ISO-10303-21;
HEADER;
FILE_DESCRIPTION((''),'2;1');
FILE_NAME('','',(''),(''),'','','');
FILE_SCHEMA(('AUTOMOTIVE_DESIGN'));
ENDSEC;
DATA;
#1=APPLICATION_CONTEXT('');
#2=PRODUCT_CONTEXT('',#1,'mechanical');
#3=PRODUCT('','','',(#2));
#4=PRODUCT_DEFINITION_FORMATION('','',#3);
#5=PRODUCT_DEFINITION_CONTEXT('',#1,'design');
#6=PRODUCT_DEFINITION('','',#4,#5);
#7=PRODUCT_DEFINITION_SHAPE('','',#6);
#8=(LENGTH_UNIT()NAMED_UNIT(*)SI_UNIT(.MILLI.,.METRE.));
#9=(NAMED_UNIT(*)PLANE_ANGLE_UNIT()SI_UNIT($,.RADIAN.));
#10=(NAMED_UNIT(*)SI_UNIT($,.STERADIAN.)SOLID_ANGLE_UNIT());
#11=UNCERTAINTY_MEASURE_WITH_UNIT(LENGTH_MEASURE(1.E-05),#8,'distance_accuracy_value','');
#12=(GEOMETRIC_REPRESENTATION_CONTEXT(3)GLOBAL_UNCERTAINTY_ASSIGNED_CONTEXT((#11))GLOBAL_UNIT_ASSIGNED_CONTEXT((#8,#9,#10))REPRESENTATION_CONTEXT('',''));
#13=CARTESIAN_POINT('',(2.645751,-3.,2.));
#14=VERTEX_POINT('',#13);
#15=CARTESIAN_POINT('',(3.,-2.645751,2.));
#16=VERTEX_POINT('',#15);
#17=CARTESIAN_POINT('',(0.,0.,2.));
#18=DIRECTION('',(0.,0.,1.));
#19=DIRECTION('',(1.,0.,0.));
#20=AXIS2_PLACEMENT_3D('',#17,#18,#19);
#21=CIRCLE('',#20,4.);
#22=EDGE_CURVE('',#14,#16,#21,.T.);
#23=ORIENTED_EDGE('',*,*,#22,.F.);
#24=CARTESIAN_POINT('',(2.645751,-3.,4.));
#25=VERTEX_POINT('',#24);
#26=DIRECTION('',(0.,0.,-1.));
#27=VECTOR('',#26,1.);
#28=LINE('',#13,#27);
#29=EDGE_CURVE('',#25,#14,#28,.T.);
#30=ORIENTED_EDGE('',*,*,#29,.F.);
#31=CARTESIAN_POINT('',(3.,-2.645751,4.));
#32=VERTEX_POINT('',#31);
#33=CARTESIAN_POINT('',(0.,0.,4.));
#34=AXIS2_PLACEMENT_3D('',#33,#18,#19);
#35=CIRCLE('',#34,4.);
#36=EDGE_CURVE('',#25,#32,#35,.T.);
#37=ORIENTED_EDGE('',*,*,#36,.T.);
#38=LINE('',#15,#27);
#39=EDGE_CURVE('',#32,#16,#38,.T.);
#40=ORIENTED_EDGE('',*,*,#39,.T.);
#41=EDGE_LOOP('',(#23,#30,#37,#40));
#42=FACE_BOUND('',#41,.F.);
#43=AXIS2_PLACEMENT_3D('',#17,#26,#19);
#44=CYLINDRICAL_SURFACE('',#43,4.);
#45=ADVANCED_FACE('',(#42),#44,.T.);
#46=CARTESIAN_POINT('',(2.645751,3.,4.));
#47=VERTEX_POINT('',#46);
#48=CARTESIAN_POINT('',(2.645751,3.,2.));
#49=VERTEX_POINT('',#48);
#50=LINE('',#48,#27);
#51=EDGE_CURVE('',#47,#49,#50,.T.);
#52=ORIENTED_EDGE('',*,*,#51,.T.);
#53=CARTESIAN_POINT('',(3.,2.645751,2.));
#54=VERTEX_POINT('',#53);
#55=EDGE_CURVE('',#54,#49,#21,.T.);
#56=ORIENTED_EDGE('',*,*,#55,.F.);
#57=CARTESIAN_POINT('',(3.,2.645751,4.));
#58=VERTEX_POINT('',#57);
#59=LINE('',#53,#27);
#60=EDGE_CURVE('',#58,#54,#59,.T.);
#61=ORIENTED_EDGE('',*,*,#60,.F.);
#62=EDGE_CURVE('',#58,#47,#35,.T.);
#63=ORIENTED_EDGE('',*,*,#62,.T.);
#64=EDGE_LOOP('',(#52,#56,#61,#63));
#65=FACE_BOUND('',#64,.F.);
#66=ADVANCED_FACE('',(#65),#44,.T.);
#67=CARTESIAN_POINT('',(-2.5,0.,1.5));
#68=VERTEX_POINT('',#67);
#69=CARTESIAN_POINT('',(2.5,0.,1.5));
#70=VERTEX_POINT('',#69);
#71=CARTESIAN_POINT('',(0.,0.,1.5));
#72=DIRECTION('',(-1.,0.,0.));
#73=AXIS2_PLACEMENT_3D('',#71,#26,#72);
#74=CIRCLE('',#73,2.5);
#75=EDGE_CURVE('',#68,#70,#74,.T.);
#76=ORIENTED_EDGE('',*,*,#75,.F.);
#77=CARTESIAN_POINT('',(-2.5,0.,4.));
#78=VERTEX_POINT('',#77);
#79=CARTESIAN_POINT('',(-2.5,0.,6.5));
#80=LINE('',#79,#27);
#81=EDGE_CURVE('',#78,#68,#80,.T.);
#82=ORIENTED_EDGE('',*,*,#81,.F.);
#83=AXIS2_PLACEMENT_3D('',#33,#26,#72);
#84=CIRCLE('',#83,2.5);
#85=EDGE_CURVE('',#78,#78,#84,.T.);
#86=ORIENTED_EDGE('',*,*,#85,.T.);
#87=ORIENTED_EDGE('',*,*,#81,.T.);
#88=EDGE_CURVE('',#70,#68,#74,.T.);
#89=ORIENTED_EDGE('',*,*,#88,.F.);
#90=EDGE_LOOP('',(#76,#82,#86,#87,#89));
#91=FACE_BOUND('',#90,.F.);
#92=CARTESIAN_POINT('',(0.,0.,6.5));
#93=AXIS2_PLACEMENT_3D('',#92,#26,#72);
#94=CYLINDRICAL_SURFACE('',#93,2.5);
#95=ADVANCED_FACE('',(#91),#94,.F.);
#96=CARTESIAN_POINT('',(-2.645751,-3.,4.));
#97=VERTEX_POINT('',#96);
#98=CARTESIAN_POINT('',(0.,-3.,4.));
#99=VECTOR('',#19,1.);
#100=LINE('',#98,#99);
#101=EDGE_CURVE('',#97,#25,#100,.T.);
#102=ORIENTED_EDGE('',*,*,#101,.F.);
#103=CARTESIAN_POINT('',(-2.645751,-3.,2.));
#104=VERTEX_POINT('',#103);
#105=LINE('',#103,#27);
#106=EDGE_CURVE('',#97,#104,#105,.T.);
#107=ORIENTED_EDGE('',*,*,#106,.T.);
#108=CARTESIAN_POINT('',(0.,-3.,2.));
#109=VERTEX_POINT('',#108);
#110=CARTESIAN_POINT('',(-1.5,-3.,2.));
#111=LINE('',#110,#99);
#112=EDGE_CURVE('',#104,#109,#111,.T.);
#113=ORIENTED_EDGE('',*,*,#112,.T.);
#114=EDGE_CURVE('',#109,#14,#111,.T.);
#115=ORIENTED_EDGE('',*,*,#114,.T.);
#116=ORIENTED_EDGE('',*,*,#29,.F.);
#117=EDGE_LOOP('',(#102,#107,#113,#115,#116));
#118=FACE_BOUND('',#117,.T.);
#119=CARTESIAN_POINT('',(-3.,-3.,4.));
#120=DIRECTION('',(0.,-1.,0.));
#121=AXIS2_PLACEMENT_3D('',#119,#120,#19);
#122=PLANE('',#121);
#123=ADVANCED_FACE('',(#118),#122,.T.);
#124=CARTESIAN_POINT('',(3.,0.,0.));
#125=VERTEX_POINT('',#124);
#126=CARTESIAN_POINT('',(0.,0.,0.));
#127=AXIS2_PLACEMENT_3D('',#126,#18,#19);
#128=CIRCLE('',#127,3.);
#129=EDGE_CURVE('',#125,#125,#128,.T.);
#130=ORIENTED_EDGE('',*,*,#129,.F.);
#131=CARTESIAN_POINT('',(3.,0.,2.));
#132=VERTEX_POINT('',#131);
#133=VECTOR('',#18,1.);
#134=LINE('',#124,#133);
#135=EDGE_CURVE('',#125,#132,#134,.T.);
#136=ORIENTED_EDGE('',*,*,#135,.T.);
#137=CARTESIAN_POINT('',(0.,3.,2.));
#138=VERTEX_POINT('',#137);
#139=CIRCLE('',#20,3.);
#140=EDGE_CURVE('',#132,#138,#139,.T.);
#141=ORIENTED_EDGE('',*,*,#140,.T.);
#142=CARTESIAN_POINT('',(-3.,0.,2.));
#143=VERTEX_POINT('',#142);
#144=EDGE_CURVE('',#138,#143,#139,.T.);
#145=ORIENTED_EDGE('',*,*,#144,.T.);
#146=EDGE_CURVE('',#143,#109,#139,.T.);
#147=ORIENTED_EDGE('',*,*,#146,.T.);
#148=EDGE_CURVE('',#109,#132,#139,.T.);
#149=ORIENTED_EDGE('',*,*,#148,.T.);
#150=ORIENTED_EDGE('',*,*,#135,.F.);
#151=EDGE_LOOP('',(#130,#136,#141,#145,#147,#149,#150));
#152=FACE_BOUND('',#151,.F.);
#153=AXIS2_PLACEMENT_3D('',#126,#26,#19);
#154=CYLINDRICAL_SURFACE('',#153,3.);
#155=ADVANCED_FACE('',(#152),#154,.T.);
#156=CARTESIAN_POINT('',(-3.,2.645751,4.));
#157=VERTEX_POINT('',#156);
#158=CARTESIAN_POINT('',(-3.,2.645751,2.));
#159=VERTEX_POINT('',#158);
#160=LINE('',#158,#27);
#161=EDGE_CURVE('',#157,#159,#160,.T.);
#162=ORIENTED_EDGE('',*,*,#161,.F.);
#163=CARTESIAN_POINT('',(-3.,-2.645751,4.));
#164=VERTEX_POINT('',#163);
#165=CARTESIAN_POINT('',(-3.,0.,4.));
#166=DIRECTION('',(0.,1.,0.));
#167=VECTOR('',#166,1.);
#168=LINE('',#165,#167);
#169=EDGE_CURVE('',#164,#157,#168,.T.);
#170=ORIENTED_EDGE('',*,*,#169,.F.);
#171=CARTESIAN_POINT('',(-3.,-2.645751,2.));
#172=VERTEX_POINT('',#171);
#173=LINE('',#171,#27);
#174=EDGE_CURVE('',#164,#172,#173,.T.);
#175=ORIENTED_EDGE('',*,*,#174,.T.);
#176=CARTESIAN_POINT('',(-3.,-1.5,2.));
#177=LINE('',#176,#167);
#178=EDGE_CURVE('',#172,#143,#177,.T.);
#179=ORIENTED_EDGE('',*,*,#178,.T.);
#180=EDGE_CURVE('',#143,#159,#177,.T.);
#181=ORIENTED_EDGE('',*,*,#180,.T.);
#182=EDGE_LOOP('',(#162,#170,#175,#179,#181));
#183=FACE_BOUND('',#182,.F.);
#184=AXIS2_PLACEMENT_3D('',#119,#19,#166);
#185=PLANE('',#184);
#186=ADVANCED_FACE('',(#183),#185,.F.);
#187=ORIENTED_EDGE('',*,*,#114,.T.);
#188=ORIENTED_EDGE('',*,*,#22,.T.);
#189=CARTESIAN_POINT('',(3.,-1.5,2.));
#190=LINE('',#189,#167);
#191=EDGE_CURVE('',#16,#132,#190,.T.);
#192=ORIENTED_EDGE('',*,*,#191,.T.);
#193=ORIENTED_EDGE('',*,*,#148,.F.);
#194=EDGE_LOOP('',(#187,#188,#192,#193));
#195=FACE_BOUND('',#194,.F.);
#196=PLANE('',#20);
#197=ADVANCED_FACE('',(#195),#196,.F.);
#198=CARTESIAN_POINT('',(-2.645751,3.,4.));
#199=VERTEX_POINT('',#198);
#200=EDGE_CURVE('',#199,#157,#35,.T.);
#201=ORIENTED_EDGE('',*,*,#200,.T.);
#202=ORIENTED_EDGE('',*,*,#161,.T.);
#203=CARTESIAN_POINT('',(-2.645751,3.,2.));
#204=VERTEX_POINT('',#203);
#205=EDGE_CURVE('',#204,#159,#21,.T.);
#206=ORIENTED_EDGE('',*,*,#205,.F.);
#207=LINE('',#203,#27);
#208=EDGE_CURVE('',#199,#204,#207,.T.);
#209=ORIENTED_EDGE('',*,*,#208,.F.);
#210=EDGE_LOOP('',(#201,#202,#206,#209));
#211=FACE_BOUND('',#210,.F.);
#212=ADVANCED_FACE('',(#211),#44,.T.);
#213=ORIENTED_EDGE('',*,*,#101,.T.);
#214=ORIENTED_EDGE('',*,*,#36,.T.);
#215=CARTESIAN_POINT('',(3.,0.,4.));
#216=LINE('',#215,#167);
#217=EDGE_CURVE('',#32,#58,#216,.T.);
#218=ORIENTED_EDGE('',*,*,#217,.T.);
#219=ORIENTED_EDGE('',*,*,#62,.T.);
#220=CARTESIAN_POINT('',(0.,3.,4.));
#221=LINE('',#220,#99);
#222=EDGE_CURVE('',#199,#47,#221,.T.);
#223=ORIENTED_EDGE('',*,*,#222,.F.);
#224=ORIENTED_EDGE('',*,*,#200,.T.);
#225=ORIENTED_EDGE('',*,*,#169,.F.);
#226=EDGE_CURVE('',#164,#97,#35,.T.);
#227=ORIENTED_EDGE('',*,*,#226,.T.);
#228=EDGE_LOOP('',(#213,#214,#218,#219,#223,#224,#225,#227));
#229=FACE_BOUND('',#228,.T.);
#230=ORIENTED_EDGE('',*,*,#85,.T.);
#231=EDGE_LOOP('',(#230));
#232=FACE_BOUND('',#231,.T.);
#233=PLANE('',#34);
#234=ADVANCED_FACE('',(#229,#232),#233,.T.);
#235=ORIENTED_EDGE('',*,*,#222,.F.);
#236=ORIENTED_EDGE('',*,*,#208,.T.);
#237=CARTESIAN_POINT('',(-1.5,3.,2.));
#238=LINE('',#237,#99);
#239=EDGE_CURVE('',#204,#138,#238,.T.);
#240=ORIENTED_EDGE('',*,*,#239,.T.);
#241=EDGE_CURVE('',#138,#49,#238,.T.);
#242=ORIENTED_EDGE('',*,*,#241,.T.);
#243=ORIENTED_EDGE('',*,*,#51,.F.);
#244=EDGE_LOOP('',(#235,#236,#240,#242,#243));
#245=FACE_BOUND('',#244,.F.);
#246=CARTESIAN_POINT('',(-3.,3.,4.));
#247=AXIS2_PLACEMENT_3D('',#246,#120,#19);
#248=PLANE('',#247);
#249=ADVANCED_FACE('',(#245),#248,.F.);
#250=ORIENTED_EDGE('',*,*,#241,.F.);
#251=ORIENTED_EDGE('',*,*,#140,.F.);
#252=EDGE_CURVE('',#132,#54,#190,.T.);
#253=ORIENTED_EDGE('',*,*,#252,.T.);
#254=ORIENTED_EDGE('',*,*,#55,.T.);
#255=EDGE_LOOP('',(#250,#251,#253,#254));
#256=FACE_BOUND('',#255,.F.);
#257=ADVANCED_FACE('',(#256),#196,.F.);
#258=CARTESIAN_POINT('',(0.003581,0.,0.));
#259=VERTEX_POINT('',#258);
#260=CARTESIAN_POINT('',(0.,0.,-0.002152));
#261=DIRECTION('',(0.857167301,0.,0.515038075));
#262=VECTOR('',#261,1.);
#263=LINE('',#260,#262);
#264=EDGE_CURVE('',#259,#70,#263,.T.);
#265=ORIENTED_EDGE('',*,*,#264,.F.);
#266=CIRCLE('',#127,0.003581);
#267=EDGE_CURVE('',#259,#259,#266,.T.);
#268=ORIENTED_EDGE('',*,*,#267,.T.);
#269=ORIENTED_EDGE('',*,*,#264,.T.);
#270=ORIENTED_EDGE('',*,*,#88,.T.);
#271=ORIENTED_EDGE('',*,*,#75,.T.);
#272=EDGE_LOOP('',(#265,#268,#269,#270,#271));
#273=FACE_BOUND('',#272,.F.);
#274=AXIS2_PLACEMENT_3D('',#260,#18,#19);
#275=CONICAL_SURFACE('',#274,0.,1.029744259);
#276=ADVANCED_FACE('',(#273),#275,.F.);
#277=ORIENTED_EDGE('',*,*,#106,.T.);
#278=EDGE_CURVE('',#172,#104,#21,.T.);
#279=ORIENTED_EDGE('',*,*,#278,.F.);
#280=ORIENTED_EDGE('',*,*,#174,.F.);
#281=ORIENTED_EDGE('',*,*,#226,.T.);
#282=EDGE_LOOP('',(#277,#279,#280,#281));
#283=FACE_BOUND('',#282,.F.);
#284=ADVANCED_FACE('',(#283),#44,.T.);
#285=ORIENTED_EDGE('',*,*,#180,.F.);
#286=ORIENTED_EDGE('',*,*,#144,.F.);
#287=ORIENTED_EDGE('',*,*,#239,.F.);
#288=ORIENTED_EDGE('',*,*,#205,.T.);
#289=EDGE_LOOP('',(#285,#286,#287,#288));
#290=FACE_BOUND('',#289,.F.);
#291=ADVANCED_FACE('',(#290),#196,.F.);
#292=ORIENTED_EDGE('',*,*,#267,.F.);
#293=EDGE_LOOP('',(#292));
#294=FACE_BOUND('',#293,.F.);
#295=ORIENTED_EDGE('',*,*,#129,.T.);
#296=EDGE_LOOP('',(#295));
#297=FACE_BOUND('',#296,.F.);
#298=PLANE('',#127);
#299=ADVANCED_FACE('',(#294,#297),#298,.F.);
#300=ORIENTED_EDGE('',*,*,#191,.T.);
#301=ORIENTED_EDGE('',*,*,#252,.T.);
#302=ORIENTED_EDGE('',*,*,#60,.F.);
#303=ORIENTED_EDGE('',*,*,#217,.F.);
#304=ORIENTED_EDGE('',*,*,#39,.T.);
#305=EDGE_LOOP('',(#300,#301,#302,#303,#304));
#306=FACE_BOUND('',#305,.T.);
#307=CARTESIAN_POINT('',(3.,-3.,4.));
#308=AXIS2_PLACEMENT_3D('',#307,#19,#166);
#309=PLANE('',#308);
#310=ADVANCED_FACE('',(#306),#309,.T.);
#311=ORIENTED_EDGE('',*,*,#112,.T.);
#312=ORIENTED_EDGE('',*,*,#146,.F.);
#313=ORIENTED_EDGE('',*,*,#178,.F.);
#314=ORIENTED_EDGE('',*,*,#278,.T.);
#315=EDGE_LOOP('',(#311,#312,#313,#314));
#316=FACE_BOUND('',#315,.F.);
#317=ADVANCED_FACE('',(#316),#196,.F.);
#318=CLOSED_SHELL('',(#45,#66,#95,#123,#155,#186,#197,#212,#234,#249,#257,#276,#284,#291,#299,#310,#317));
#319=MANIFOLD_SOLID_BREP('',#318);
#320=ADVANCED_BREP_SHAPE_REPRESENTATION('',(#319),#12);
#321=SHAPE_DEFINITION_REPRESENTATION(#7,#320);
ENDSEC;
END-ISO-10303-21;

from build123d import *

# Parameters (mm, degrees)
F0_R     = 3
F1_DEPTH = 2
F2_R     = 4
F3_DEPTH = 2
F5_W     = 6
F5_H     = 6
F6_DEPTH = 25
F7_D     = 5
F7_DEPTH = 2.5
F7_TIP   = 1.5021515476


with BuildPart() as f1:
    # F0 (on Top) → F1 (new body)
    with BuildSketch(Plane.XY):
        Circle(F0_R)
    extrude(amount=F1_DEPTH)

    # F2 (on face) → F3 (join)
    with BuildSketch(Plane.XY.offset(2)):
        Circle(F2_R)
    extrude(amount=F3_DEPTH)

    # F5 (on face) → F6 (intersect)
    with BuildSketch(Plane.XY.offset(4)):
        Rectangle(F5_W, F5_H)
    extrude(amount=-F6_DEPTH, mode=Mode.INTERSECT)

    # F7
    with Locations(Plane.XY.offset(4)):
        with Locations((0, 0)):
            Hole(F7_D / 2, depth=F7_DEPTH)
            with Locations((0, 0, -(F7_DEPTH + F7_TIP / 2))):  # 118° drill point
                Cone(0, F7_D / 2, F7_TIP, mode=Mode.SUBTRACT)


solid = f1.part
